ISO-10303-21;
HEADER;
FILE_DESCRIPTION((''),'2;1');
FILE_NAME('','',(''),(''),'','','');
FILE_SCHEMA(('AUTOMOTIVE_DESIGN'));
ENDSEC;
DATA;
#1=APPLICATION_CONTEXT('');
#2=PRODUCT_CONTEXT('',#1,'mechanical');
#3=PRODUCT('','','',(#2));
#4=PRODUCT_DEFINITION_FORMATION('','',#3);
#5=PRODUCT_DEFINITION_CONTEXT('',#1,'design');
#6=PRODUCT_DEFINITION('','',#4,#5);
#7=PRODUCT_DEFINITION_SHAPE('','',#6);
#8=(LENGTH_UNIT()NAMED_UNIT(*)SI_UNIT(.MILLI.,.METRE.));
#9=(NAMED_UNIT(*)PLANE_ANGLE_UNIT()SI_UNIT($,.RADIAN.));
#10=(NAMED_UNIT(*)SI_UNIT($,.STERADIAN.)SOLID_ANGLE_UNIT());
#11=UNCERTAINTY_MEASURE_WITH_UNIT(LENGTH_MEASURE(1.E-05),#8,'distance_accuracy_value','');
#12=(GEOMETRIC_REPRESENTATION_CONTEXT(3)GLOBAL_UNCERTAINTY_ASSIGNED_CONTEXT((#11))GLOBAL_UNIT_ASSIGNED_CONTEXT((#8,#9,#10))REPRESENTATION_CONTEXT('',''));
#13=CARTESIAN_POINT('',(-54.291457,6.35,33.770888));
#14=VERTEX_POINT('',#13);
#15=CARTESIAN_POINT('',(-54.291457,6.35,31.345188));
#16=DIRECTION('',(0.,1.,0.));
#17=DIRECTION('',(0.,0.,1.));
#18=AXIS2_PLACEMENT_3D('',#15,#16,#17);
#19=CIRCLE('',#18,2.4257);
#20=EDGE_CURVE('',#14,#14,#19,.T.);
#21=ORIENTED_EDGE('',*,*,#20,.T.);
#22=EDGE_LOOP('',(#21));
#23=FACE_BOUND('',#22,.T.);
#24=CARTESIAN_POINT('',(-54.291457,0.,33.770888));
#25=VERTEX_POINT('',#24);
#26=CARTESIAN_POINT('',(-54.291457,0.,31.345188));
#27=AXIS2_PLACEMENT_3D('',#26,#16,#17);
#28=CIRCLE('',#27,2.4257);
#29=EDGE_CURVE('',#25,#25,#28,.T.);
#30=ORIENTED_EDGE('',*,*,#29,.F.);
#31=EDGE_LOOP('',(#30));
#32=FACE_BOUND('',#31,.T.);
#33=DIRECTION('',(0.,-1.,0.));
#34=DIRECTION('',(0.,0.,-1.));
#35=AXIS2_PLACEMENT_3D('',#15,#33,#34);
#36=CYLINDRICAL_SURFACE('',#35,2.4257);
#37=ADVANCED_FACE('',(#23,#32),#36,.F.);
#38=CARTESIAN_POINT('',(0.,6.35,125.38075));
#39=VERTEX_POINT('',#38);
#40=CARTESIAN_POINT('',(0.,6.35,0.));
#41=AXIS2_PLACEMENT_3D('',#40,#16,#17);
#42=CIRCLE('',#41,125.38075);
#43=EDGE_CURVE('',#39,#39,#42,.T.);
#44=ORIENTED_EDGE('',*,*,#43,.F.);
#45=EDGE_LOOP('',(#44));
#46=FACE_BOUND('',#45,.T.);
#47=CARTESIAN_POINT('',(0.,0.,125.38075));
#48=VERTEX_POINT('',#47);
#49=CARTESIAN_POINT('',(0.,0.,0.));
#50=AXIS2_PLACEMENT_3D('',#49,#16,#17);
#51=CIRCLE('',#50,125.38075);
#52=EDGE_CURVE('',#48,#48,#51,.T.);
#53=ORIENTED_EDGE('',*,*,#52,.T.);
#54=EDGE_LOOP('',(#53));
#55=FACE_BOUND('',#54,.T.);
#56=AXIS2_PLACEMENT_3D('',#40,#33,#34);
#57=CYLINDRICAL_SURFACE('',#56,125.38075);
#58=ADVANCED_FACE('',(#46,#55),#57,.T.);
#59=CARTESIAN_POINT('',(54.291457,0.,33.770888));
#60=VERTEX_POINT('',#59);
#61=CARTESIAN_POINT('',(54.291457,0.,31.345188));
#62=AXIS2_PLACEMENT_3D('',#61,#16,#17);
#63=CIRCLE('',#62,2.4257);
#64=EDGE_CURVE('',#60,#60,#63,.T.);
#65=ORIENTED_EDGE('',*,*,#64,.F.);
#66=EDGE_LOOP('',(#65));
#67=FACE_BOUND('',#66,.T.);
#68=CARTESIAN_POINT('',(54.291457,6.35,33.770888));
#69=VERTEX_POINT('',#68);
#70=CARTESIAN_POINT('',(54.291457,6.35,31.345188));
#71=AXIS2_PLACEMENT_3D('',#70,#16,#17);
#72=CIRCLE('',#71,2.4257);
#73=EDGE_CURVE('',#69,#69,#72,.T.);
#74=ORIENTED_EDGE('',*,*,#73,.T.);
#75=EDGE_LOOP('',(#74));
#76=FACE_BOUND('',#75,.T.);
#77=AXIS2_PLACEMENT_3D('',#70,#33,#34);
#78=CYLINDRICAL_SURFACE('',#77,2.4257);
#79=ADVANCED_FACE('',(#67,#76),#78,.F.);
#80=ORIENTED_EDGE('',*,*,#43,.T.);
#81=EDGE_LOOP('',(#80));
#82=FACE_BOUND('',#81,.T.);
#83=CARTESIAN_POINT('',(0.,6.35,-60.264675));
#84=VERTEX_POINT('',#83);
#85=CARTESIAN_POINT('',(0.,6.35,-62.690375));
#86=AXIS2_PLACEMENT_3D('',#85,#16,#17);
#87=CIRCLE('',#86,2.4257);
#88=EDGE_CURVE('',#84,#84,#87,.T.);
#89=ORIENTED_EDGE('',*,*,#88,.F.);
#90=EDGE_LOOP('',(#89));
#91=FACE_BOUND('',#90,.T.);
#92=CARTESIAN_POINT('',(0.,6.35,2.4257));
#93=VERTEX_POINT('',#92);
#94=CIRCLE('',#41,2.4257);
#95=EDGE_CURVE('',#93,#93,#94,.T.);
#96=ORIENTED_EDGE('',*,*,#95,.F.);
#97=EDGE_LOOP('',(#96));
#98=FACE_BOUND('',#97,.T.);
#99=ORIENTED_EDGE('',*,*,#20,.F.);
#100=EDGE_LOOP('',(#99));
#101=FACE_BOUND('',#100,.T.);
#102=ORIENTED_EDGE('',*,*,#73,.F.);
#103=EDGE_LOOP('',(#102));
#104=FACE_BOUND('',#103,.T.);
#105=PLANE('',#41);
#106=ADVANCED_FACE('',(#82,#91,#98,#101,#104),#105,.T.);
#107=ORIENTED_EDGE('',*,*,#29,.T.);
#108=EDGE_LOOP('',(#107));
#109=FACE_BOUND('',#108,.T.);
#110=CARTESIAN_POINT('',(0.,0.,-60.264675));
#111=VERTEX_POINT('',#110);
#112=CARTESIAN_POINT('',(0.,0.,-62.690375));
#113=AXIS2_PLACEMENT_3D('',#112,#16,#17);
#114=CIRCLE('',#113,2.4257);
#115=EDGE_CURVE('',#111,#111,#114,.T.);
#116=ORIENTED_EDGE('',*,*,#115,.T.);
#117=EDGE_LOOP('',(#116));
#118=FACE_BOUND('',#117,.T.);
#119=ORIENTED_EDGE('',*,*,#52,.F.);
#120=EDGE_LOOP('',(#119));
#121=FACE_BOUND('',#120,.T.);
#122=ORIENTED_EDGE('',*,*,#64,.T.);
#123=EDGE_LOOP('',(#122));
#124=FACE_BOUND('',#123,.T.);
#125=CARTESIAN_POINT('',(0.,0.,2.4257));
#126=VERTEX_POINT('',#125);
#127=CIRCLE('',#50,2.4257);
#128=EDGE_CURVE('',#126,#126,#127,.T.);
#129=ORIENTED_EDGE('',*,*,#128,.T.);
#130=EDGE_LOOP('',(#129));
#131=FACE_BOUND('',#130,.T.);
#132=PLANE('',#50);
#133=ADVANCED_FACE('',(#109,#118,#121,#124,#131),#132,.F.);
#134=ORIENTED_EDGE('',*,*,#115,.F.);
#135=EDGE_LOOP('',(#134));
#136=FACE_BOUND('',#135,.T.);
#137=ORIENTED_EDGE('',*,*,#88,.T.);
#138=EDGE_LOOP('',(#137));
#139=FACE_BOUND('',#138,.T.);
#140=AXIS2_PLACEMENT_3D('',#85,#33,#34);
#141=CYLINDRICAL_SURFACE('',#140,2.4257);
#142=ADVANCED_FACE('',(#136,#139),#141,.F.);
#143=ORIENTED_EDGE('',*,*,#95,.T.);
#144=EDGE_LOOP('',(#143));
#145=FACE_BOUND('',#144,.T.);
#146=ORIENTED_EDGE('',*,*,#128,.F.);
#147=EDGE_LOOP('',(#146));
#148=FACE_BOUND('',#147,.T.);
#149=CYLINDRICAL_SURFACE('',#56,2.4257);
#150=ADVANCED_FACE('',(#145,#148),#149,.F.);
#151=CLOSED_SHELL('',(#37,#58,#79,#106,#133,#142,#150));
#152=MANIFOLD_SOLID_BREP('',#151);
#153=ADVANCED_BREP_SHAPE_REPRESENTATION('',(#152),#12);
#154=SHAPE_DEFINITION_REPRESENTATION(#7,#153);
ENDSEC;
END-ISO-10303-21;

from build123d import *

# Parameters (mm, degrees)
SKETCH1_R           = 125.38075
SKETCH1_R_2         = 2.4257
BOSS_EXTRUDE1_DEPTH = 6.35


with BuildPart() as part:
    # Sketch1 → Boss-Extrude1 (new body)
    with BuildSketch(Plane(origin=(0, 0, 0), x_dir=(1, 0, 0), z_dir=(0, 1, 0))):
        with Locations(Location((0, 0, 0), (0, 0, 270))):
            Circle(SKETCH1_R)
        with Locations(Location((0, 62.690375, 0), (0, 0, 270))):
            Circle(SKETCH1_R_2, mode=Mode.SUBTRACT)
        with Locations(Location((54.291457323, -31.3451875, 0), (0, 0, 270))):
            Circle(SKETCH1_R_2, mode=Mode.SUBTRACT)
        with Locations(Location((-54.291457323, -31.3451875, 0), (0, 0, 270))):
            Circle(SKETCH1_R_2, mode=Mode.SUBTRACT)
        with Locations(Location((0, 0, 0), (0, 0, 270))):
            Circle(SKETCH1_R_2, mode=Mode.SUBTRACT)
    extrude(amount=BOSS_EXTRUDE1_DEPTH)


solid = part.part
